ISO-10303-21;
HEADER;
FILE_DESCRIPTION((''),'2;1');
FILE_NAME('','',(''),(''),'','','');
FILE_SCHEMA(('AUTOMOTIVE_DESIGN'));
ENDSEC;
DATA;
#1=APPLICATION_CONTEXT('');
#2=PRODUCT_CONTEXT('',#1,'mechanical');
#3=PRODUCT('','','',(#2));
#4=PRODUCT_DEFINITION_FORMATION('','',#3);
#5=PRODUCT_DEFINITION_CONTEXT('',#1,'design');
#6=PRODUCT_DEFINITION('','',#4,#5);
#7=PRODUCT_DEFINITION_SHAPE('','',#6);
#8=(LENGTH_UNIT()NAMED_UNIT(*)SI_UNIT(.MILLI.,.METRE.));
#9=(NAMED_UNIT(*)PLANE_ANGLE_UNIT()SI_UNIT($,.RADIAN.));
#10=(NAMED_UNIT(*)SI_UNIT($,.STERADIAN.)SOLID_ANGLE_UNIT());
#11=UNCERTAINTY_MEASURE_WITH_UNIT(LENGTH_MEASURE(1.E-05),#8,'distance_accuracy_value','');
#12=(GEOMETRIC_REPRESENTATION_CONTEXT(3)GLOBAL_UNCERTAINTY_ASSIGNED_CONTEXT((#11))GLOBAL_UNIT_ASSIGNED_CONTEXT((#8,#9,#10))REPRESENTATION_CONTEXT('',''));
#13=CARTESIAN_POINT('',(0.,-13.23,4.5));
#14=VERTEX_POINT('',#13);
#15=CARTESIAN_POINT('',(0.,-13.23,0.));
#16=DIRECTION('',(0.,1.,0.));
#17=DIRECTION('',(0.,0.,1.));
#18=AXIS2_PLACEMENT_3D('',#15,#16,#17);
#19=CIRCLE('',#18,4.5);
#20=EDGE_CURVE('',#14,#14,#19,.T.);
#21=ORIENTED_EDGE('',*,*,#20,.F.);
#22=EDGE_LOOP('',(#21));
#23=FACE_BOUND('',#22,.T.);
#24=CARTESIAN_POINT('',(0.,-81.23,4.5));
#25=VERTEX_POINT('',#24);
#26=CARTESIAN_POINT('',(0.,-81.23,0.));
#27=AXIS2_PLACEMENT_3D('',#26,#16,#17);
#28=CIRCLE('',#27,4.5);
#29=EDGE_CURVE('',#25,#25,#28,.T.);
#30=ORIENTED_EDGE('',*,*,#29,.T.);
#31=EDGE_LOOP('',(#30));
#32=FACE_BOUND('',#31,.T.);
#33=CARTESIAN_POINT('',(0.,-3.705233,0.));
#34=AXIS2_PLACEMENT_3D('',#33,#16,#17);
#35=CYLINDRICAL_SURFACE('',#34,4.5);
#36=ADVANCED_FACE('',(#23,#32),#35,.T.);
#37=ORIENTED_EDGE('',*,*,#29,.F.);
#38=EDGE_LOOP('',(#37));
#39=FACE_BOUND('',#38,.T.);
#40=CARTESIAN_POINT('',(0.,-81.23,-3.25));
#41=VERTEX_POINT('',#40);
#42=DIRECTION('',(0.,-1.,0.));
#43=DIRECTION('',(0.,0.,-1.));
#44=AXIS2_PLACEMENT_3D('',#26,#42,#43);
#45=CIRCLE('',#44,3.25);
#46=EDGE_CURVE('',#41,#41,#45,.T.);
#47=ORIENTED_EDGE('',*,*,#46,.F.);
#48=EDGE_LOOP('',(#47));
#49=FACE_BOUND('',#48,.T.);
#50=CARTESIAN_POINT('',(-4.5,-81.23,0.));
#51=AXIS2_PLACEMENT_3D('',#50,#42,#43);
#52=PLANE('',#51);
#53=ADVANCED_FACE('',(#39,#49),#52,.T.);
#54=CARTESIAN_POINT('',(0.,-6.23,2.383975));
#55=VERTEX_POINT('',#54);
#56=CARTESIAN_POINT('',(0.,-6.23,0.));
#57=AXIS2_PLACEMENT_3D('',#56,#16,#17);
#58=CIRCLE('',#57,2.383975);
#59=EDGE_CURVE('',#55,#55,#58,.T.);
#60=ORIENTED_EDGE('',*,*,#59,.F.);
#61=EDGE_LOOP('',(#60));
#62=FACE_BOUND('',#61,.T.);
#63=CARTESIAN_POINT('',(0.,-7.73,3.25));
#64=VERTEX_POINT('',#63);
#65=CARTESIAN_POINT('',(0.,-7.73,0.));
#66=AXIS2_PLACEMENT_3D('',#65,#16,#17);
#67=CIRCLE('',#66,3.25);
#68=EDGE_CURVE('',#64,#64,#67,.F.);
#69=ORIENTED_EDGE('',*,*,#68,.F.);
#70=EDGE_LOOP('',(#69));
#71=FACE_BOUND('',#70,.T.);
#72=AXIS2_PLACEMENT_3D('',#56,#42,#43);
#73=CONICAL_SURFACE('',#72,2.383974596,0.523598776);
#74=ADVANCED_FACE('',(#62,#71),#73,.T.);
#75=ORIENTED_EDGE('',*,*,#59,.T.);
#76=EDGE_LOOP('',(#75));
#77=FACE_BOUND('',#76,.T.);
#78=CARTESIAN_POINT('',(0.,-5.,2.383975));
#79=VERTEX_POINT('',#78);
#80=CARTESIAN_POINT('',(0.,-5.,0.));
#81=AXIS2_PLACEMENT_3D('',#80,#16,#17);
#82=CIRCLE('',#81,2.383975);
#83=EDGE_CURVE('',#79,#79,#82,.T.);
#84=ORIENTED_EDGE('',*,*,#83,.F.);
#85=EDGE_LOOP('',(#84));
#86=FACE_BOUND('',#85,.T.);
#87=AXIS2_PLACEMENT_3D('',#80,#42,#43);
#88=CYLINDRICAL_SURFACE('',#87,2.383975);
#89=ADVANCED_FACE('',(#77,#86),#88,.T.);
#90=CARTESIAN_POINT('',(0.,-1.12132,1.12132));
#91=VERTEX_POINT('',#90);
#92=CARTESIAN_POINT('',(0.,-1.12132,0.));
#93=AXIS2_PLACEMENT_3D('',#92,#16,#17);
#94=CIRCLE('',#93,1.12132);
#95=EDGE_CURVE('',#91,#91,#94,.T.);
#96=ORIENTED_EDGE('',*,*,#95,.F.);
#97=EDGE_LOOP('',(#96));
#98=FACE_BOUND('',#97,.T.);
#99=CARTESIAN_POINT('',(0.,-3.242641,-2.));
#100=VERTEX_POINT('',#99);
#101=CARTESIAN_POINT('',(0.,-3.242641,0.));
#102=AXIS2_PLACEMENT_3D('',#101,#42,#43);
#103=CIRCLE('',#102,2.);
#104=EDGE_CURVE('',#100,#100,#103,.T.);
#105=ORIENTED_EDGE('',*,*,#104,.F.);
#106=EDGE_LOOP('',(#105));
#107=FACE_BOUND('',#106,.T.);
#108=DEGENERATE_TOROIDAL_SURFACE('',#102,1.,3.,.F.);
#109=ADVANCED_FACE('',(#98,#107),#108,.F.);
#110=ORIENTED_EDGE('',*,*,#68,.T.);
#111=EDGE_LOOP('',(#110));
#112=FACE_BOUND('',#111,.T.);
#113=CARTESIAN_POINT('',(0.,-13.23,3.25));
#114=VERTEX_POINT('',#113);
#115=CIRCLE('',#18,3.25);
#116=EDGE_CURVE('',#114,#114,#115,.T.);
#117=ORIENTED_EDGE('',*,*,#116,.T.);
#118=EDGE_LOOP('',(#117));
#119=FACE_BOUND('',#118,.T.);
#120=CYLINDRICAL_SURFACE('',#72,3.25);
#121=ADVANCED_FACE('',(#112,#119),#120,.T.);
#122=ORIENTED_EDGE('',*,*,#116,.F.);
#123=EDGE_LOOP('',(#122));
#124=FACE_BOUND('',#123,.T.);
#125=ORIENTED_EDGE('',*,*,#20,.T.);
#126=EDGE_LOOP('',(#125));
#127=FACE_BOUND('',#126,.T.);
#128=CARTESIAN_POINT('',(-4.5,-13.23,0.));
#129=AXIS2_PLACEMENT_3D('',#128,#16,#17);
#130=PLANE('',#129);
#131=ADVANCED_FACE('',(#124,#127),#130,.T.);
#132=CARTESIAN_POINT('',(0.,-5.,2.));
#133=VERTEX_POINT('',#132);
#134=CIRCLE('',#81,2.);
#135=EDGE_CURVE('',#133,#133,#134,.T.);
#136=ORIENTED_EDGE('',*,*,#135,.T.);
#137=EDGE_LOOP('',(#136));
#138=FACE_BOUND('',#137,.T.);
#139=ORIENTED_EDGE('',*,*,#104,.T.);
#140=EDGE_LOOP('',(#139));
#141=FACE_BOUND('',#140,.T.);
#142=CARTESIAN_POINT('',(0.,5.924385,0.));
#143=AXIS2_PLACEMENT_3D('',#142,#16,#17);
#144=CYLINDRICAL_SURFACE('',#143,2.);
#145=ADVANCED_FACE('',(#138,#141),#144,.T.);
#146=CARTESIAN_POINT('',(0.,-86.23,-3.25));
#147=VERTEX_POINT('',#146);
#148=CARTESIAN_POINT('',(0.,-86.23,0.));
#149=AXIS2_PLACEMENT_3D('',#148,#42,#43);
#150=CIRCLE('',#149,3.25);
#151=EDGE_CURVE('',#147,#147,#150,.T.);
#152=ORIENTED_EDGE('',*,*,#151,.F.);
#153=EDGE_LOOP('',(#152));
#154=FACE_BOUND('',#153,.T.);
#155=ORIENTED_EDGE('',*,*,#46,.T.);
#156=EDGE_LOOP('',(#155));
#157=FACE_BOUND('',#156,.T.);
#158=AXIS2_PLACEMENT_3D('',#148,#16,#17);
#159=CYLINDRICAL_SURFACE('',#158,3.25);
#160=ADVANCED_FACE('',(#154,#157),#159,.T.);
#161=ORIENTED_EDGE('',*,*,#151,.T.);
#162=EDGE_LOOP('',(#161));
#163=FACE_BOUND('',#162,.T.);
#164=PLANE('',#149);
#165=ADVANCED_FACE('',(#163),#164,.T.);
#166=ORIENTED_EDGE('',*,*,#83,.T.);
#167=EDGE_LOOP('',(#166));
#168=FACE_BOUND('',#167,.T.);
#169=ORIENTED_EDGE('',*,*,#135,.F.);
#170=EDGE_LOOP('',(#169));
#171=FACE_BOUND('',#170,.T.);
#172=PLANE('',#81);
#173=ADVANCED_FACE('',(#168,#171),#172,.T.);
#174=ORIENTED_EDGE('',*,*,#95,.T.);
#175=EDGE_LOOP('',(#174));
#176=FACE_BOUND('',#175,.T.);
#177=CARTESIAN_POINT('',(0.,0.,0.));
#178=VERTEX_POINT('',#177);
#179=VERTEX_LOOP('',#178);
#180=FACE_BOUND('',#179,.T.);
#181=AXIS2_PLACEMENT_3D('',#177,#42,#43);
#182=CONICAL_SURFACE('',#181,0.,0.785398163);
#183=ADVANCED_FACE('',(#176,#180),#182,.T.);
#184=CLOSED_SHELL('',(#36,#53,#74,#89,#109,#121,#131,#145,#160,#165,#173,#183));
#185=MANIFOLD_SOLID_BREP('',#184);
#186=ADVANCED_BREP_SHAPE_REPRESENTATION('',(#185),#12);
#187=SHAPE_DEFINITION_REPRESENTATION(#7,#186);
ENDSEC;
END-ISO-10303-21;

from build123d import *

# Parameters (mm, degrees)
SKETCH1_W           = 4.5
SKETCH1_H           = 68
SKETCH2_R           = 3.25
BOSS_EXTRUDE1_DEPTH = 5
BOSS_EXTRUDE2_START = 7
SKETCH3_R           = 3.25
BOSS_EXTRUDE2_DEPTH = 7
CHAMFER1_SIZE       = 1.5
CHAMFER1_SIZE2      = 0.866025404
SKETCH4_R           = 2.383974596
BOSS_EXTRUDE3_DEPTH = 1.23
FILLET1_R           = 3


with BuildPart() as part:
    # Sketch1 → Revolve1 (revolve)
    with BuildSketch(Plane.XY, mode=Mode.PRIVATE) as revolve1_sk:
        with Locations((-2.25, 0)):
            Rectangle(SKETCH1_W, SKETCH1_H)
    revolve(revolve1_sk.sketch.rotate(Axis((0, 43.52476671, 0), (0, -1, 0)), 270), axis=Axis((0, 43.52476671, 0), (0, -1, 0)))

    # Sketch2 → Boss-Extrude1 (add)
    with BuildSketch(Plane.XZ.offset(34)):
        with Locations(Location((0, 0, 0), (0, 0, 270))):
            Circle(SKETCH2_R)
    extrude(amount=BOSS_EXTRUDE1_DEPTH)

    # Sketch3 → Boss-Extrude2 (add)
    with BuildSketch(Plane(origin=(0, 34, 0), x_dir=(1, 0, 0), z_dir=(0, 1, 0)).offset(BOSS_EXTRUDE2_START)):
        with Locations(Location((0, 0, 0), (0, 0, 90))):
            Circle(SKETCH3_R)
    extrude(amount=-BOSS_EXTRUDE2_DEPTH)

    # Chamfer1
    chamfer1_edges = [part.edges().sort_by_distance(p)[0] for p in [
        (0, 41, 3.25),
    ]]
    chamfer1_side = [part.faces().sort_by_distance(p)[0] for p in [
        (0, 37.5, 3.25),
    ]]
    chamfer(chamfer1_edges, length=CHAMFER1_SIZE, length2=CHAMFER1_SIZE2, reference=chamfer1_side[0])

    # Sketch4 → Boss-Extrude3 (add)
    with BuildSketch(Plane(origin=(0, 41, 0), x_dir=(1, 0, 0), z_dir=(0, 1, 0))):
        with Locations(Location((0, 0, 0), (0, 0, 270))):
            Circle(SKETCH4_R)
    extrude(amount=BOSS_EXTRUDE3_DEPTH)

    # Sketch5 → Revolve2 (revolve)
    with BuildSketch(Plane(origin=(0, 0, 0), x_dir=(0, 0, -1), z_dir=(1, 0, 0))):
        Polygon((0, 47.23), (-2, 45.23), (-2, 42.23), (0, 42.23), align=None)
    revolve(axis=Axis((0, 53.154384726, 0), (0, -1, 0)))

    # Fillet1
    fillet1_edges = [part.edges().sort_by_distance(p)[0] for p in [
        (0, 45.23, -2),
    ]]
    fillet(fillet1_edges, radius=FILLET1_R)


with BuildPart() as part_1:
    # Body-Move/Copy1: moved
    add(part.part.moved(Location((0, -47.23, 0))))


solid = part_1.part
